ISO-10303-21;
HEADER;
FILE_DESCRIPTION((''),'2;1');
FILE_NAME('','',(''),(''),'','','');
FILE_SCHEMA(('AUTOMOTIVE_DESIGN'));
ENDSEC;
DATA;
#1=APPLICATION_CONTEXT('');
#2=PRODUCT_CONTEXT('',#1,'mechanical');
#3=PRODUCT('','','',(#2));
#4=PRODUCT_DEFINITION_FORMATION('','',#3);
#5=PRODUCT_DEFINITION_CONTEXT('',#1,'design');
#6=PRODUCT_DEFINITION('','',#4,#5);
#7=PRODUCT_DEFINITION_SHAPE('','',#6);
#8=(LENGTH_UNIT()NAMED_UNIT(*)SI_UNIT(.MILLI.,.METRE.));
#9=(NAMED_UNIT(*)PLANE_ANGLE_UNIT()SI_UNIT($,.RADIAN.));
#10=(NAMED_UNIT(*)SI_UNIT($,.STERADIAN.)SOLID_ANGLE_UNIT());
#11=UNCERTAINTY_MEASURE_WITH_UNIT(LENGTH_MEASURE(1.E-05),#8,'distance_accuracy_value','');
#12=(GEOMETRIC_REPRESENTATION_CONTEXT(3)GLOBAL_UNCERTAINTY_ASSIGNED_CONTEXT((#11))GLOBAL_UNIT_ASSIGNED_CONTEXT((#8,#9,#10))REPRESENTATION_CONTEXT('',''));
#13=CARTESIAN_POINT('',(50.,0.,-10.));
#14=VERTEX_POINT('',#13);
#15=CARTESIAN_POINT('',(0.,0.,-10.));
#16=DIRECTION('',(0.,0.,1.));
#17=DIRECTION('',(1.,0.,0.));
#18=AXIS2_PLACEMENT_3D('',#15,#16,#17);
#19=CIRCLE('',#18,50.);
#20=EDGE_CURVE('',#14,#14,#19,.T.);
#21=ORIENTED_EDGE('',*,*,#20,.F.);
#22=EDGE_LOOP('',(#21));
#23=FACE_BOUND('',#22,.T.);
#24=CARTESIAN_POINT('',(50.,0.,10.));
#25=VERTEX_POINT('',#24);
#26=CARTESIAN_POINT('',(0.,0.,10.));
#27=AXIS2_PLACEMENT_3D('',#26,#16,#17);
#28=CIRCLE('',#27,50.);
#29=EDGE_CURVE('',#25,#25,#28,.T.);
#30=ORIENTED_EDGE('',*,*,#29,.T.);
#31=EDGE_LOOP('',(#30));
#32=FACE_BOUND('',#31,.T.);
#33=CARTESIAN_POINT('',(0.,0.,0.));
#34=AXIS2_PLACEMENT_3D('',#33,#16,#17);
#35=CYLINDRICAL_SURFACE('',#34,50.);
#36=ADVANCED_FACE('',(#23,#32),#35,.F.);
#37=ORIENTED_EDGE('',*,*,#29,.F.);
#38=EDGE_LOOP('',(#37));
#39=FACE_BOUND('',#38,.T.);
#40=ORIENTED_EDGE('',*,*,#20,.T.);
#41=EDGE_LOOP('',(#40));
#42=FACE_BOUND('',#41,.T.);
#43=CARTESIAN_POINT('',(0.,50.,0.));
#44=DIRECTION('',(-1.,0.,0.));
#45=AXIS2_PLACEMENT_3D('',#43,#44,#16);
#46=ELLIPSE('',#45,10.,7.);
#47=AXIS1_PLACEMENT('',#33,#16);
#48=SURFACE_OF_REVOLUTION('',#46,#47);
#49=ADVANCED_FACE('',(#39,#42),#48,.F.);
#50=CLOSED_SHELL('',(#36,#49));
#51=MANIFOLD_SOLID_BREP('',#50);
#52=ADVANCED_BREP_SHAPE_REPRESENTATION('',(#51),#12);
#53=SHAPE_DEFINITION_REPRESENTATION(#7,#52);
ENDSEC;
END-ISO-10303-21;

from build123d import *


with BuildPart() as part:
    # Esquisse1 → Révolution1 (revolve)
    with BuildSketch(Plane(origin=(0, 0, 0), x_dir=(0, 0, -1), z_dir=(1, 0, 0))):
        with BuildLine():
            Line((-10, 50), (10, 50))
            add(Edge.make_bspline(
                [(10, 50), (10, 57), (0, 57), (-10, 57), (-10, 50)],
                knots=[3.141592654, 3.141592654, 3.141592654, 4.71238898, 4.71238898, 6.283185307, 6.283185307, 6.283185307], degree=2, weights=[1, 0.707106781, 1, 0.707106781, 1]))
        make_face()
    revolve(axis=Axis((0, 0, 0), (0, 0, -1)))


solid = part.part
